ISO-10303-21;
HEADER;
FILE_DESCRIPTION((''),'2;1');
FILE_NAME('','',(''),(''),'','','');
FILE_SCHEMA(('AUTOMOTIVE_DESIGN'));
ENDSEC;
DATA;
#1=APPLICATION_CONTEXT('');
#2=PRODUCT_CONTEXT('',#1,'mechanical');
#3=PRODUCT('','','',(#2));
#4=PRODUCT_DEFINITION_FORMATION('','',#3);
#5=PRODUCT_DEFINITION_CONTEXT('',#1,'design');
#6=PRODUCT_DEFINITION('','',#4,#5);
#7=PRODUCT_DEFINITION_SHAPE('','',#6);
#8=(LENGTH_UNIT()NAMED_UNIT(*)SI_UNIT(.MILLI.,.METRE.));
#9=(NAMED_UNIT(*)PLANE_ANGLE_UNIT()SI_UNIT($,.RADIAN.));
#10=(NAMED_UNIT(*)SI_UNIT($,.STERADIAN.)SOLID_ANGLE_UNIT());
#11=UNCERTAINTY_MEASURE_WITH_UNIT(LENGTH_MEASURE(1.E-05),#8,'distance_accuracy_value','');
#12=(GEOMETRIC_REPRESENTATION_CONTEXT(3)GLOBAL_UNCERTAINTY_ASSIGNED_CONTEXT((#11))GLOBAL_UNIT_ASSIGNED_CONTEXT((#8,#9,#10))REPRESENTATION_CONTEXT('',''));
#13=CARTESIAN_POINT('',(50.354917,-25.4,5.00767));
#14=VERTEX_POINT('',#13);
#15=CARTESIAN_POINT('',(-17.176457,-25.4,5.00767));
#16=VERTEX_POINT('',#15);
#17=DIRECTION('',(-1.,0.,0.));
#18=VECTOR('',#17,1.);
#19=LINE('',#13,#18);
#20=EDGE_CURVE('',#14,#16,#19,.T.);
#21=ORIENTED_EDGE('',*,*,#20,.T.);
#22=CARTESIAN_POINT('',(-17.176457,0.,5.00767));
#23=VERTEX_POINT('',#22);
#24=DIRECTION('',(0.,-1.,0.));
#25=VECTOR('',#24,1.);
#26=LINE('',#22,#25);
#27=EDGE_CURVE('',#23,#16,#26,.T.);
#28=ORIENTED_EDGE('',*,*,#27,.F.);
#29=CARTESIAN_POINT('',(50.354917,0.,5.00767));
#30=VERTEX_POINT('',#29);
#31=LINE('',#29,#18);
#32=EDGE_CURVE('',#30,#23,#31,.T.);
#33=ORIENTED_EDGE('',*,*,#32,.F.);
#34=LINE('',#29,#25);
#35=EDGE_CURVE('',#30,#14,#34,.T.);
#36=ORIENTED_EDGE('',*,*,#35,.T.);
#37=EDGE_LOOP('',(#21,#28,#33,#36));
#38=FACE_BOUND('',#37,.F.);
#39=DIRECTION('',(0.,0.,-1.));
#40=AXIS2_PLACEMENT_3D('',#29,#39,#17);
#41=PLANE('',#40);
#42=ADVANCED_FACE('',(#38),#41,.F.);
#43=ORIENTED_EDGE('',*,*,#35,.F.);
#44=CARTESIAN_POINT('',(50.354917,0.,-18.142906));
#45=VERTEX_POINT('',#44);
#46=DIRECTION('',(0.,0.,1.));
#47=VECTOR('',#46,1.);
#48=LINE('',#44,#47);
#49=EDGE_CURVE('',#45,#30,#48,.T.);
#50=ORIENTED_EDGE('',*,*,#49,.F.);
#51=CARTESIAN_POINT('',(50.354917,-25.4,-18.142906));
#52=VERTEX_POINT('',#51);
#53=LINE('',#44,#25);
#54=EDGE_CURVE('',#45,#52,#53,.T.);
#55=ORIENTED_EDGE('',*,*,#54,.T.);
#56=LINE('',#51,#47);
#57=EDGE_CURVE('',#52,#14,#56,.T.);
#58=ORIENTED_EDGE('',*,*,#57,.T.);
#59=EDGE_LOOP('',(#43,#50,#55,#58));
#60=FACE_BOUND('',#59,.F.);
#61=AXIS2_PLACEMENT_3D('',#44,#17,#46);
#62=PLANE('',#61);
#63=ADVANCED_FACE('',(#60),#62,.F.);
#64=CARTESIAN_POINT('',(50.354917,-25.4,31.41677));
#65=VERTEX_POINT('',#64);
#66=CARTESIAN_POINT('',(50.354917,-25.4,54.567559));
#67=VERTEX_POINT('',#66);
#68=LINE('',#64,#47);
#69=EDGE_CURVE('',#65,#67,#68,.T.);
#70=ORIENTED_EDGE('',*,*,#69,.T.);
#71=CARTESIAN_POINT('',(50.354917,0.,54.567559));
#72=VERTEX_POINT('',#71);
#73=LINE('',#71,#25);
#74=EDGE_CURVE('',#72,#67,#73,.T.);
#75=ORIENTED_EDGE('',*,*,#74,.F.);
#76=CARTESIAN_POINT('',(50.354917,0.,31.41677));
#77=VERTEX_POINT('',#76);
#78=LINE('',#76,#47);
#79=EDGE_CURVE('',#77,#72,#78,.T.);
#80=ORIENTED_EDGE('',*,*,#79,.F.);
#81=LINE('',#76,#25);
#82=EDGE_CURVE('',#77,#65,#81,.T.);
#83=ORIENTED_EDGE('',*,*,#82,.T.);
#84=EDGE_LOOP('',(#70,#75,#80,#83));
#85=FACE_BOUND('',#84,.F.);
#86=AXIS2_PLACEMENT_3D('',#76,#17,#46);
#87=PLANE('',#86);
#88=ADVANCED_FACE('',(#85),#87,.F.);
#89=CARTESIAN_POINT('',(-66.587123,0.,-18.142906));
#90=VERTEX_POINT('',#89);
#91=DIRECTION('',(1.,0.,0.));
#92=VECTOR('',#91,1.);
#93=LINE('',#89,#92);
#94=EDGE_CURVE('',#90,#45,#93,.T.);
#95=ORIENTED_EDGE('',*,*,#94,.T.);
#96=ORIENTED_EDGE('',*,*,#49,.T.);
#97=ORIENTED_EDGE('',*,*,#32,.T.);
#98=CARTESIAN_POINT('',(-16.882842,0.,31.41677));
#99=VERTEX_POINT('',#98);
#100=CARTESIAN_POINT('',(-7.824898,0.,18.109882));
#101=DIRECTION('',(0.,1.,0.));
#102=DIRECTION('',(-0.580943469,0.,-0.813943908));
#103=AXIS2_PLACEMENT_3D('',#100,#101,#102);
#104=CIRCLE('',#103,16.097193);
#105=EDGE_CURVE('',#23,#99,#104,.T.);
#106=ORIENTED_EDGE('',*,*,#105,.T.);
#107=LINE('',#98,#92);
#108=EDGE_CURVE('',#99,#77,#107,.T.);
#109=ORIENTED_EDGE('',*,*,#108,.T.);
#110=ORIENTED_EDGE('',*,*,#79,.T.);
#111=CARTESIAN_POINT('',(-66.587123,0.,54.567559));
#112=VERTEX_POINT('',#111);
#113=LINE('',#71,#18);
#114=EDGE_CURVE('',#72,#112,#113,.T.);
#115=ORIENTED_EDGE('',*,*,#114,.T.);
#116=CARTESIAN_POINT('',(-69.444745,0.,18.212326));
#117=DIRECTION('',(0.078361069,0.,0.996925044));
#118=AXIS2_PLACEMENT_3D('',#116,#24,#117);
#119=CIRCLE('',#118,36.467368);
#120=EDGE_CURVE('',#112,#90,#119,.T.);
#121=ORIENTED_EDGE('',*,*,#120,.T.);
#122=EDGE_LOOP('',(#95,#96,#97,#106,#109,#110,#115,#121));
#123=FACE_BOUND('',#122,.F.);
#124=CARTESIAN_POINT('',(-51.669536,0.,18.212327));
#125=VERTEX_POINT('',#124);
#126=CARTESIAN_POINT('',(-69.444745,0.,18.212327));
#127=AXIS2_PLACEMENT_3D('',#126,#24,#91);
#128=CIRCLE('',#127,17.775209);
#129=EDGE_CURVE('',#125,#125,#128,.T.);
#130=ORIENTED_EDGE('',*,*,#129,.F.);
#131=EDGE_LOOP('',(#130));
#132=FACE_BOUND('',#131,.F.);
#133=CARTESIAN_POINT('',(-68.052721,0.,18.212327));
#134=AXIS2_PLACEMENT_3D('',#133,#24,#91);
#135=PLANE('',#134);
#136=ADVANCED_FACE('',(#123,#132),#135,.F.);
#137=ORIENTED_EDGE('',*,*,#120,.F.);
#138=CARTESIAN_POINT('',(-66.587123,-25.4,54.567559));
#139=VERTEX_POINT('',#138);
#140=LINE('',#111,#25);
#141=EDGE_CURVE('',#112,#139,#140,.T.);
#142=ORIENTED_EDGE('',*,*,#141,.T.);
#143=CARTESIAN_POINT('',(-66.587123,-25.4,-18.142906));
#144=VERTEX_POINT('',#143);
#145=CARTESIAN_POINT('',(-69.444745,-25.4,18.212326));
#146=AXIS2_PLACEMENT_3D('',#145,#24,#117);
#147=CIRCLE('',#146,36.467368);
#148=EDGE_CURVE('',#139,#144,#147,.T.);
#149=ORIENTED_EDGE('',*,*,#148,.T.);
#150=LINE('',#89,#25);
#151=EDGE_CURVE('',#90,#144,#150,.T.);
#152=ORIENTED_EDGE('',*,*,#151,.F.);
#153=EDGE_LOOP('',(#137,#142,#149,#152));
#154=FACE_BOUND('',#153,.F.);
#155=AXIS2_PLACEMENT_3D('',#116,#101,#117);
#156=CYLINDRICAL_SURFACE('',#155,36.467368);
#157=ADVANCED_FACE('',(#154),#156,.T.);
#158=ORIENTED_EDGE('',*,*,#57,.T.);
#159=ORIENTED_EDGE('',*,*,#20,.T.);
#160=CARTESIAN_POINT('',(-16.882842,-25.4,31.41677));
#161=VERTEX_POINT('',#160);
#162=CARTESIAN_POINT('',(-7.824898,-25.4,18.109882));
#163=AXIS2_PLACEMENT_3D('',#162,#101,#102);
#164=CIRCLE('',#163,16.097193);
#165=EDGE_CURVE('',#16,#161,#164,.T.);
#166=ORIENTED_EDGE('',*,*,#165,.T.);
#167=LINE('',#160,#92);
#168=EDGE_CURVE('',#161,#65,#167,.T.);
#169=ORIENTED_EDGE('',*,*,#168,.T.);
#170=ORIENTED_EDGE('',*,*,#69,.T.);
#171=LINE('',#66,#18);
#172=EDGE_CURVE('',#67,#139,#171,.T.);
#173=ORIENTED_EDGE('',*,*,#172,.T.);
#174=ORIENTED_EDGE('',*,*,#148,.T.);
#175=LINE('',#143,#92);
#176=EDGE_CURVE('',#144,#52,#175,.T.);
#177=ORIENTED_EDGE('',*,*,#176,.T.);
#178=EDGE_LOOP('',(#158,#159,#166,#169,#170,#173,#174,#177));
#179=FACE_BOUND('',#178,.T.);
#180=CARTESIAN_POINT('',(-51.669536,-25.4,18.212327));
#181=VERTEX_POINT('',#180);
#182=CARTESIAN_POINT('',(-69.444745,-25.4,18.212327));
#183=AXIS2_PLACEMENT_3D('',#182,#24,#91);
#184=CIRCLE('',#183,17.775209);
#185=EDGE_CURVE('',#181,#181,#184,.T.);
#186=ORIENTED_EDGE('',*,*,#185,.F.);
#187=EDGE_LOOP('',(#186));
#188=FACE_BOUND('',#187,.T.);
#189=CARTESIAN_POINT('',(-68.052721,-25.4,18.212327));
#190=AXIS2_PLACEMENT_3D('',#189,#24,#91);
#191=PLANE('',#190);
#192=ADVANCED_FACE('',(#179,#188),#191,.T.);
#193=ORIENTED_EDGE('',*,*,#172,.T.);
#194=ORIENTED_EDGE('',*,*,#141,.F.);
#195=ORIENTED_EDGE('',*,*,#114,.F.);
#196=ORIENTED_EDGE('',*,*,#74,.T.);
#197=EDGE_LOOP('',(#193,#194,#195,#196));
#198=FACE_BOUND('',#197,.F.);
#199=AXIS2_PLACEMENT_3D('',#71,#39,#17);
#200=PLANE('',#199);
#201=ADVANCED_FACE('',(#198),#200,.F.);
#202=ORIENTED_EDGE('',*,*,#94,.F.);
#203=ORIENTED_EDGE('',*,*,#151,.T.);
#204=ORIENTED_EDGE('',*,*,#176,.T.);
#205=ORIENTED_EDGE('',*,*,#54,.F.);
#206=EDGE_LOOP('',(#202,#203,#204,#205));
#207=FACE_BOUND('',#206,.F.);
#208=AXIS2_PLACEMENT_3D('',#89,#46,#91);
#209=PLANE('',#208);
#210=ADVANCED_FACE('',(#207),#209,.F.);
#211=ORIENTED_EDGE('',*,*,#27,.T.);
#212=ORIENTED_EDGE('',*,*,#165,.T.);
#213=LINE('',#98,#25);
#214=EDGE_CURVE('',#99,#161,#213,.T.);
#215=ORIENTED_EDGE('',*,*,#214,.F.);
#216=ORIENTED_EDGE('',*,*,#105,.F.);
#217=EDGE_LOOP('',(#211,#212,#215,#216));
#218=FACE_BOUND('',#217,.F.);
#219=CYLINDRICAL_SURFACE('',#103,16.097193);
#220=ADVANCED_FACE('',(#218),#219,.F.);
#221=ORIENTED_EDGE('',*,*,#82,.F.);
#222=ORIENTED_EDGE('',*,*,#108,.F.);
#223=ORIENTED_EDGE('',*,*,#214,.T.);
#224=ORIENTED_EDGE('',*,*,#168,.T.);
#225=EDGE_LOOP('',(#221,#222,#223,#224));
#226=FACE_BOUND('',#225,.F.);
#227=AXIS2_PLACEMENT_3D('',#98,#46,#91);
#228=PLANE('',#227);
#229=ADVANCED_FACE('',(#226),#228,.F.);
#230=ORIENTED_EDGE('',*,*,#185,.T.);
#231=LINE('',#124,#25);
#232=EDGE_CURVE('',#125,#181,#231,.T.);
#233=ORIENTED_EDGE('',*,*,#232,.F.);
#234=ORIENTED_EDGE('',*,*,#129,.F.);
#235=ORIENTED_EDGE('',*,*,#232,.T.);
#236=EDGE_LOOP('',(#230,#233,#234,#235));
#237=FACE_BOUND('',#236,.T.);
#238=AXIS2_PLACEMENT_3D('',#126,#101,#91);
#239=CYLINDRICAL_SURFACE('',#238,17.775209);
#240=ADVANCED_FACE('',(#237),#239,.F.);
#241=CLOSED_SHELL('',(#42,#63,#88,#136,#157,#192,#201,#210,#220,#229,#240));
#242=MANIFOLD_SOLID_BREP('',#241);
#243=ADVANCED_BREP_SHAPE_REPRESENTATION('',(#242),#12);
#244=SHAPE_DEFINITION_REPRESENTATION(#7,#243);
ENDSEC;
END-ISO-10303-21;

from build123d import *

# Parameters (mm, degrees)
F0_R     = 17.775209
F1_DEPTH = 25.4


with BuildPart() as f1:
    # F0 (on Front) → F1 (new body)
    with BuildSketch(Plane.XZ):
        with BuildLine():
            ThreePointArc((-66.587123, -18.142906), (-42.667153, -6.543066), (-32.977377, 18.212327))
            ThreePointArc((-32.977377, 18.212327), (-42.667153, 42.96772), (-66.587123, 54.567559))
            ThreePointArc((-66.587123, 54.567559), (-105.912113, 18.212327), (-66.587123, -18.142906))
        make_face()
        with Locations((-69.444745, 18.212327)):
            Circle(F0_R, mode=Mode.SUBTRACT)
        with BuildLine():
            ThreePointArc((-66.587123, 54.567559), (-42.667153, 42.96772), (-32.977377, 18.212327))
            ThreePointArc((-32.977377, 18.212327), (-42.667153, -6.543066), (-66.587123, -18.142906))
            Line((-66.587123, -18.142906), (50.354917, -18.142906))
            Line((50.354917, -18.142906), (50.354917, 5.00767))
            Line((50.354917, 5.00767), (-17.176457, 5.00767))
            ThreePointArc((-17.176457, 5.00767), (-23.921096, 18.288839), (-16.882842, 31.41677))
            Line((-16.882842, 31.41677), (50.354917, 31.41677))
            Line((50.354917, 31.41677), (50.354917, 50.795339))
            ThreePointArc((50.354917, 50.795339), (45.72161, 53.463349), (40.490307, 54.567559))
            Line((40.490307, 54.567559), (-66.587123, 54.567559))
        make_face()
        with BuildLine():
            Line((50.354917, 54.567559), (40.490307, 54.567559))
            ThreePointArc((40.490307, 54.567559), (45.72161, 53.463349), (50.354917, 50.795339))
            Line((50.354917, 50.795339), (50.354917, 54.567559))
        make_face()
    extrude(amount=F1_DEPTH)


solid = f1.part
